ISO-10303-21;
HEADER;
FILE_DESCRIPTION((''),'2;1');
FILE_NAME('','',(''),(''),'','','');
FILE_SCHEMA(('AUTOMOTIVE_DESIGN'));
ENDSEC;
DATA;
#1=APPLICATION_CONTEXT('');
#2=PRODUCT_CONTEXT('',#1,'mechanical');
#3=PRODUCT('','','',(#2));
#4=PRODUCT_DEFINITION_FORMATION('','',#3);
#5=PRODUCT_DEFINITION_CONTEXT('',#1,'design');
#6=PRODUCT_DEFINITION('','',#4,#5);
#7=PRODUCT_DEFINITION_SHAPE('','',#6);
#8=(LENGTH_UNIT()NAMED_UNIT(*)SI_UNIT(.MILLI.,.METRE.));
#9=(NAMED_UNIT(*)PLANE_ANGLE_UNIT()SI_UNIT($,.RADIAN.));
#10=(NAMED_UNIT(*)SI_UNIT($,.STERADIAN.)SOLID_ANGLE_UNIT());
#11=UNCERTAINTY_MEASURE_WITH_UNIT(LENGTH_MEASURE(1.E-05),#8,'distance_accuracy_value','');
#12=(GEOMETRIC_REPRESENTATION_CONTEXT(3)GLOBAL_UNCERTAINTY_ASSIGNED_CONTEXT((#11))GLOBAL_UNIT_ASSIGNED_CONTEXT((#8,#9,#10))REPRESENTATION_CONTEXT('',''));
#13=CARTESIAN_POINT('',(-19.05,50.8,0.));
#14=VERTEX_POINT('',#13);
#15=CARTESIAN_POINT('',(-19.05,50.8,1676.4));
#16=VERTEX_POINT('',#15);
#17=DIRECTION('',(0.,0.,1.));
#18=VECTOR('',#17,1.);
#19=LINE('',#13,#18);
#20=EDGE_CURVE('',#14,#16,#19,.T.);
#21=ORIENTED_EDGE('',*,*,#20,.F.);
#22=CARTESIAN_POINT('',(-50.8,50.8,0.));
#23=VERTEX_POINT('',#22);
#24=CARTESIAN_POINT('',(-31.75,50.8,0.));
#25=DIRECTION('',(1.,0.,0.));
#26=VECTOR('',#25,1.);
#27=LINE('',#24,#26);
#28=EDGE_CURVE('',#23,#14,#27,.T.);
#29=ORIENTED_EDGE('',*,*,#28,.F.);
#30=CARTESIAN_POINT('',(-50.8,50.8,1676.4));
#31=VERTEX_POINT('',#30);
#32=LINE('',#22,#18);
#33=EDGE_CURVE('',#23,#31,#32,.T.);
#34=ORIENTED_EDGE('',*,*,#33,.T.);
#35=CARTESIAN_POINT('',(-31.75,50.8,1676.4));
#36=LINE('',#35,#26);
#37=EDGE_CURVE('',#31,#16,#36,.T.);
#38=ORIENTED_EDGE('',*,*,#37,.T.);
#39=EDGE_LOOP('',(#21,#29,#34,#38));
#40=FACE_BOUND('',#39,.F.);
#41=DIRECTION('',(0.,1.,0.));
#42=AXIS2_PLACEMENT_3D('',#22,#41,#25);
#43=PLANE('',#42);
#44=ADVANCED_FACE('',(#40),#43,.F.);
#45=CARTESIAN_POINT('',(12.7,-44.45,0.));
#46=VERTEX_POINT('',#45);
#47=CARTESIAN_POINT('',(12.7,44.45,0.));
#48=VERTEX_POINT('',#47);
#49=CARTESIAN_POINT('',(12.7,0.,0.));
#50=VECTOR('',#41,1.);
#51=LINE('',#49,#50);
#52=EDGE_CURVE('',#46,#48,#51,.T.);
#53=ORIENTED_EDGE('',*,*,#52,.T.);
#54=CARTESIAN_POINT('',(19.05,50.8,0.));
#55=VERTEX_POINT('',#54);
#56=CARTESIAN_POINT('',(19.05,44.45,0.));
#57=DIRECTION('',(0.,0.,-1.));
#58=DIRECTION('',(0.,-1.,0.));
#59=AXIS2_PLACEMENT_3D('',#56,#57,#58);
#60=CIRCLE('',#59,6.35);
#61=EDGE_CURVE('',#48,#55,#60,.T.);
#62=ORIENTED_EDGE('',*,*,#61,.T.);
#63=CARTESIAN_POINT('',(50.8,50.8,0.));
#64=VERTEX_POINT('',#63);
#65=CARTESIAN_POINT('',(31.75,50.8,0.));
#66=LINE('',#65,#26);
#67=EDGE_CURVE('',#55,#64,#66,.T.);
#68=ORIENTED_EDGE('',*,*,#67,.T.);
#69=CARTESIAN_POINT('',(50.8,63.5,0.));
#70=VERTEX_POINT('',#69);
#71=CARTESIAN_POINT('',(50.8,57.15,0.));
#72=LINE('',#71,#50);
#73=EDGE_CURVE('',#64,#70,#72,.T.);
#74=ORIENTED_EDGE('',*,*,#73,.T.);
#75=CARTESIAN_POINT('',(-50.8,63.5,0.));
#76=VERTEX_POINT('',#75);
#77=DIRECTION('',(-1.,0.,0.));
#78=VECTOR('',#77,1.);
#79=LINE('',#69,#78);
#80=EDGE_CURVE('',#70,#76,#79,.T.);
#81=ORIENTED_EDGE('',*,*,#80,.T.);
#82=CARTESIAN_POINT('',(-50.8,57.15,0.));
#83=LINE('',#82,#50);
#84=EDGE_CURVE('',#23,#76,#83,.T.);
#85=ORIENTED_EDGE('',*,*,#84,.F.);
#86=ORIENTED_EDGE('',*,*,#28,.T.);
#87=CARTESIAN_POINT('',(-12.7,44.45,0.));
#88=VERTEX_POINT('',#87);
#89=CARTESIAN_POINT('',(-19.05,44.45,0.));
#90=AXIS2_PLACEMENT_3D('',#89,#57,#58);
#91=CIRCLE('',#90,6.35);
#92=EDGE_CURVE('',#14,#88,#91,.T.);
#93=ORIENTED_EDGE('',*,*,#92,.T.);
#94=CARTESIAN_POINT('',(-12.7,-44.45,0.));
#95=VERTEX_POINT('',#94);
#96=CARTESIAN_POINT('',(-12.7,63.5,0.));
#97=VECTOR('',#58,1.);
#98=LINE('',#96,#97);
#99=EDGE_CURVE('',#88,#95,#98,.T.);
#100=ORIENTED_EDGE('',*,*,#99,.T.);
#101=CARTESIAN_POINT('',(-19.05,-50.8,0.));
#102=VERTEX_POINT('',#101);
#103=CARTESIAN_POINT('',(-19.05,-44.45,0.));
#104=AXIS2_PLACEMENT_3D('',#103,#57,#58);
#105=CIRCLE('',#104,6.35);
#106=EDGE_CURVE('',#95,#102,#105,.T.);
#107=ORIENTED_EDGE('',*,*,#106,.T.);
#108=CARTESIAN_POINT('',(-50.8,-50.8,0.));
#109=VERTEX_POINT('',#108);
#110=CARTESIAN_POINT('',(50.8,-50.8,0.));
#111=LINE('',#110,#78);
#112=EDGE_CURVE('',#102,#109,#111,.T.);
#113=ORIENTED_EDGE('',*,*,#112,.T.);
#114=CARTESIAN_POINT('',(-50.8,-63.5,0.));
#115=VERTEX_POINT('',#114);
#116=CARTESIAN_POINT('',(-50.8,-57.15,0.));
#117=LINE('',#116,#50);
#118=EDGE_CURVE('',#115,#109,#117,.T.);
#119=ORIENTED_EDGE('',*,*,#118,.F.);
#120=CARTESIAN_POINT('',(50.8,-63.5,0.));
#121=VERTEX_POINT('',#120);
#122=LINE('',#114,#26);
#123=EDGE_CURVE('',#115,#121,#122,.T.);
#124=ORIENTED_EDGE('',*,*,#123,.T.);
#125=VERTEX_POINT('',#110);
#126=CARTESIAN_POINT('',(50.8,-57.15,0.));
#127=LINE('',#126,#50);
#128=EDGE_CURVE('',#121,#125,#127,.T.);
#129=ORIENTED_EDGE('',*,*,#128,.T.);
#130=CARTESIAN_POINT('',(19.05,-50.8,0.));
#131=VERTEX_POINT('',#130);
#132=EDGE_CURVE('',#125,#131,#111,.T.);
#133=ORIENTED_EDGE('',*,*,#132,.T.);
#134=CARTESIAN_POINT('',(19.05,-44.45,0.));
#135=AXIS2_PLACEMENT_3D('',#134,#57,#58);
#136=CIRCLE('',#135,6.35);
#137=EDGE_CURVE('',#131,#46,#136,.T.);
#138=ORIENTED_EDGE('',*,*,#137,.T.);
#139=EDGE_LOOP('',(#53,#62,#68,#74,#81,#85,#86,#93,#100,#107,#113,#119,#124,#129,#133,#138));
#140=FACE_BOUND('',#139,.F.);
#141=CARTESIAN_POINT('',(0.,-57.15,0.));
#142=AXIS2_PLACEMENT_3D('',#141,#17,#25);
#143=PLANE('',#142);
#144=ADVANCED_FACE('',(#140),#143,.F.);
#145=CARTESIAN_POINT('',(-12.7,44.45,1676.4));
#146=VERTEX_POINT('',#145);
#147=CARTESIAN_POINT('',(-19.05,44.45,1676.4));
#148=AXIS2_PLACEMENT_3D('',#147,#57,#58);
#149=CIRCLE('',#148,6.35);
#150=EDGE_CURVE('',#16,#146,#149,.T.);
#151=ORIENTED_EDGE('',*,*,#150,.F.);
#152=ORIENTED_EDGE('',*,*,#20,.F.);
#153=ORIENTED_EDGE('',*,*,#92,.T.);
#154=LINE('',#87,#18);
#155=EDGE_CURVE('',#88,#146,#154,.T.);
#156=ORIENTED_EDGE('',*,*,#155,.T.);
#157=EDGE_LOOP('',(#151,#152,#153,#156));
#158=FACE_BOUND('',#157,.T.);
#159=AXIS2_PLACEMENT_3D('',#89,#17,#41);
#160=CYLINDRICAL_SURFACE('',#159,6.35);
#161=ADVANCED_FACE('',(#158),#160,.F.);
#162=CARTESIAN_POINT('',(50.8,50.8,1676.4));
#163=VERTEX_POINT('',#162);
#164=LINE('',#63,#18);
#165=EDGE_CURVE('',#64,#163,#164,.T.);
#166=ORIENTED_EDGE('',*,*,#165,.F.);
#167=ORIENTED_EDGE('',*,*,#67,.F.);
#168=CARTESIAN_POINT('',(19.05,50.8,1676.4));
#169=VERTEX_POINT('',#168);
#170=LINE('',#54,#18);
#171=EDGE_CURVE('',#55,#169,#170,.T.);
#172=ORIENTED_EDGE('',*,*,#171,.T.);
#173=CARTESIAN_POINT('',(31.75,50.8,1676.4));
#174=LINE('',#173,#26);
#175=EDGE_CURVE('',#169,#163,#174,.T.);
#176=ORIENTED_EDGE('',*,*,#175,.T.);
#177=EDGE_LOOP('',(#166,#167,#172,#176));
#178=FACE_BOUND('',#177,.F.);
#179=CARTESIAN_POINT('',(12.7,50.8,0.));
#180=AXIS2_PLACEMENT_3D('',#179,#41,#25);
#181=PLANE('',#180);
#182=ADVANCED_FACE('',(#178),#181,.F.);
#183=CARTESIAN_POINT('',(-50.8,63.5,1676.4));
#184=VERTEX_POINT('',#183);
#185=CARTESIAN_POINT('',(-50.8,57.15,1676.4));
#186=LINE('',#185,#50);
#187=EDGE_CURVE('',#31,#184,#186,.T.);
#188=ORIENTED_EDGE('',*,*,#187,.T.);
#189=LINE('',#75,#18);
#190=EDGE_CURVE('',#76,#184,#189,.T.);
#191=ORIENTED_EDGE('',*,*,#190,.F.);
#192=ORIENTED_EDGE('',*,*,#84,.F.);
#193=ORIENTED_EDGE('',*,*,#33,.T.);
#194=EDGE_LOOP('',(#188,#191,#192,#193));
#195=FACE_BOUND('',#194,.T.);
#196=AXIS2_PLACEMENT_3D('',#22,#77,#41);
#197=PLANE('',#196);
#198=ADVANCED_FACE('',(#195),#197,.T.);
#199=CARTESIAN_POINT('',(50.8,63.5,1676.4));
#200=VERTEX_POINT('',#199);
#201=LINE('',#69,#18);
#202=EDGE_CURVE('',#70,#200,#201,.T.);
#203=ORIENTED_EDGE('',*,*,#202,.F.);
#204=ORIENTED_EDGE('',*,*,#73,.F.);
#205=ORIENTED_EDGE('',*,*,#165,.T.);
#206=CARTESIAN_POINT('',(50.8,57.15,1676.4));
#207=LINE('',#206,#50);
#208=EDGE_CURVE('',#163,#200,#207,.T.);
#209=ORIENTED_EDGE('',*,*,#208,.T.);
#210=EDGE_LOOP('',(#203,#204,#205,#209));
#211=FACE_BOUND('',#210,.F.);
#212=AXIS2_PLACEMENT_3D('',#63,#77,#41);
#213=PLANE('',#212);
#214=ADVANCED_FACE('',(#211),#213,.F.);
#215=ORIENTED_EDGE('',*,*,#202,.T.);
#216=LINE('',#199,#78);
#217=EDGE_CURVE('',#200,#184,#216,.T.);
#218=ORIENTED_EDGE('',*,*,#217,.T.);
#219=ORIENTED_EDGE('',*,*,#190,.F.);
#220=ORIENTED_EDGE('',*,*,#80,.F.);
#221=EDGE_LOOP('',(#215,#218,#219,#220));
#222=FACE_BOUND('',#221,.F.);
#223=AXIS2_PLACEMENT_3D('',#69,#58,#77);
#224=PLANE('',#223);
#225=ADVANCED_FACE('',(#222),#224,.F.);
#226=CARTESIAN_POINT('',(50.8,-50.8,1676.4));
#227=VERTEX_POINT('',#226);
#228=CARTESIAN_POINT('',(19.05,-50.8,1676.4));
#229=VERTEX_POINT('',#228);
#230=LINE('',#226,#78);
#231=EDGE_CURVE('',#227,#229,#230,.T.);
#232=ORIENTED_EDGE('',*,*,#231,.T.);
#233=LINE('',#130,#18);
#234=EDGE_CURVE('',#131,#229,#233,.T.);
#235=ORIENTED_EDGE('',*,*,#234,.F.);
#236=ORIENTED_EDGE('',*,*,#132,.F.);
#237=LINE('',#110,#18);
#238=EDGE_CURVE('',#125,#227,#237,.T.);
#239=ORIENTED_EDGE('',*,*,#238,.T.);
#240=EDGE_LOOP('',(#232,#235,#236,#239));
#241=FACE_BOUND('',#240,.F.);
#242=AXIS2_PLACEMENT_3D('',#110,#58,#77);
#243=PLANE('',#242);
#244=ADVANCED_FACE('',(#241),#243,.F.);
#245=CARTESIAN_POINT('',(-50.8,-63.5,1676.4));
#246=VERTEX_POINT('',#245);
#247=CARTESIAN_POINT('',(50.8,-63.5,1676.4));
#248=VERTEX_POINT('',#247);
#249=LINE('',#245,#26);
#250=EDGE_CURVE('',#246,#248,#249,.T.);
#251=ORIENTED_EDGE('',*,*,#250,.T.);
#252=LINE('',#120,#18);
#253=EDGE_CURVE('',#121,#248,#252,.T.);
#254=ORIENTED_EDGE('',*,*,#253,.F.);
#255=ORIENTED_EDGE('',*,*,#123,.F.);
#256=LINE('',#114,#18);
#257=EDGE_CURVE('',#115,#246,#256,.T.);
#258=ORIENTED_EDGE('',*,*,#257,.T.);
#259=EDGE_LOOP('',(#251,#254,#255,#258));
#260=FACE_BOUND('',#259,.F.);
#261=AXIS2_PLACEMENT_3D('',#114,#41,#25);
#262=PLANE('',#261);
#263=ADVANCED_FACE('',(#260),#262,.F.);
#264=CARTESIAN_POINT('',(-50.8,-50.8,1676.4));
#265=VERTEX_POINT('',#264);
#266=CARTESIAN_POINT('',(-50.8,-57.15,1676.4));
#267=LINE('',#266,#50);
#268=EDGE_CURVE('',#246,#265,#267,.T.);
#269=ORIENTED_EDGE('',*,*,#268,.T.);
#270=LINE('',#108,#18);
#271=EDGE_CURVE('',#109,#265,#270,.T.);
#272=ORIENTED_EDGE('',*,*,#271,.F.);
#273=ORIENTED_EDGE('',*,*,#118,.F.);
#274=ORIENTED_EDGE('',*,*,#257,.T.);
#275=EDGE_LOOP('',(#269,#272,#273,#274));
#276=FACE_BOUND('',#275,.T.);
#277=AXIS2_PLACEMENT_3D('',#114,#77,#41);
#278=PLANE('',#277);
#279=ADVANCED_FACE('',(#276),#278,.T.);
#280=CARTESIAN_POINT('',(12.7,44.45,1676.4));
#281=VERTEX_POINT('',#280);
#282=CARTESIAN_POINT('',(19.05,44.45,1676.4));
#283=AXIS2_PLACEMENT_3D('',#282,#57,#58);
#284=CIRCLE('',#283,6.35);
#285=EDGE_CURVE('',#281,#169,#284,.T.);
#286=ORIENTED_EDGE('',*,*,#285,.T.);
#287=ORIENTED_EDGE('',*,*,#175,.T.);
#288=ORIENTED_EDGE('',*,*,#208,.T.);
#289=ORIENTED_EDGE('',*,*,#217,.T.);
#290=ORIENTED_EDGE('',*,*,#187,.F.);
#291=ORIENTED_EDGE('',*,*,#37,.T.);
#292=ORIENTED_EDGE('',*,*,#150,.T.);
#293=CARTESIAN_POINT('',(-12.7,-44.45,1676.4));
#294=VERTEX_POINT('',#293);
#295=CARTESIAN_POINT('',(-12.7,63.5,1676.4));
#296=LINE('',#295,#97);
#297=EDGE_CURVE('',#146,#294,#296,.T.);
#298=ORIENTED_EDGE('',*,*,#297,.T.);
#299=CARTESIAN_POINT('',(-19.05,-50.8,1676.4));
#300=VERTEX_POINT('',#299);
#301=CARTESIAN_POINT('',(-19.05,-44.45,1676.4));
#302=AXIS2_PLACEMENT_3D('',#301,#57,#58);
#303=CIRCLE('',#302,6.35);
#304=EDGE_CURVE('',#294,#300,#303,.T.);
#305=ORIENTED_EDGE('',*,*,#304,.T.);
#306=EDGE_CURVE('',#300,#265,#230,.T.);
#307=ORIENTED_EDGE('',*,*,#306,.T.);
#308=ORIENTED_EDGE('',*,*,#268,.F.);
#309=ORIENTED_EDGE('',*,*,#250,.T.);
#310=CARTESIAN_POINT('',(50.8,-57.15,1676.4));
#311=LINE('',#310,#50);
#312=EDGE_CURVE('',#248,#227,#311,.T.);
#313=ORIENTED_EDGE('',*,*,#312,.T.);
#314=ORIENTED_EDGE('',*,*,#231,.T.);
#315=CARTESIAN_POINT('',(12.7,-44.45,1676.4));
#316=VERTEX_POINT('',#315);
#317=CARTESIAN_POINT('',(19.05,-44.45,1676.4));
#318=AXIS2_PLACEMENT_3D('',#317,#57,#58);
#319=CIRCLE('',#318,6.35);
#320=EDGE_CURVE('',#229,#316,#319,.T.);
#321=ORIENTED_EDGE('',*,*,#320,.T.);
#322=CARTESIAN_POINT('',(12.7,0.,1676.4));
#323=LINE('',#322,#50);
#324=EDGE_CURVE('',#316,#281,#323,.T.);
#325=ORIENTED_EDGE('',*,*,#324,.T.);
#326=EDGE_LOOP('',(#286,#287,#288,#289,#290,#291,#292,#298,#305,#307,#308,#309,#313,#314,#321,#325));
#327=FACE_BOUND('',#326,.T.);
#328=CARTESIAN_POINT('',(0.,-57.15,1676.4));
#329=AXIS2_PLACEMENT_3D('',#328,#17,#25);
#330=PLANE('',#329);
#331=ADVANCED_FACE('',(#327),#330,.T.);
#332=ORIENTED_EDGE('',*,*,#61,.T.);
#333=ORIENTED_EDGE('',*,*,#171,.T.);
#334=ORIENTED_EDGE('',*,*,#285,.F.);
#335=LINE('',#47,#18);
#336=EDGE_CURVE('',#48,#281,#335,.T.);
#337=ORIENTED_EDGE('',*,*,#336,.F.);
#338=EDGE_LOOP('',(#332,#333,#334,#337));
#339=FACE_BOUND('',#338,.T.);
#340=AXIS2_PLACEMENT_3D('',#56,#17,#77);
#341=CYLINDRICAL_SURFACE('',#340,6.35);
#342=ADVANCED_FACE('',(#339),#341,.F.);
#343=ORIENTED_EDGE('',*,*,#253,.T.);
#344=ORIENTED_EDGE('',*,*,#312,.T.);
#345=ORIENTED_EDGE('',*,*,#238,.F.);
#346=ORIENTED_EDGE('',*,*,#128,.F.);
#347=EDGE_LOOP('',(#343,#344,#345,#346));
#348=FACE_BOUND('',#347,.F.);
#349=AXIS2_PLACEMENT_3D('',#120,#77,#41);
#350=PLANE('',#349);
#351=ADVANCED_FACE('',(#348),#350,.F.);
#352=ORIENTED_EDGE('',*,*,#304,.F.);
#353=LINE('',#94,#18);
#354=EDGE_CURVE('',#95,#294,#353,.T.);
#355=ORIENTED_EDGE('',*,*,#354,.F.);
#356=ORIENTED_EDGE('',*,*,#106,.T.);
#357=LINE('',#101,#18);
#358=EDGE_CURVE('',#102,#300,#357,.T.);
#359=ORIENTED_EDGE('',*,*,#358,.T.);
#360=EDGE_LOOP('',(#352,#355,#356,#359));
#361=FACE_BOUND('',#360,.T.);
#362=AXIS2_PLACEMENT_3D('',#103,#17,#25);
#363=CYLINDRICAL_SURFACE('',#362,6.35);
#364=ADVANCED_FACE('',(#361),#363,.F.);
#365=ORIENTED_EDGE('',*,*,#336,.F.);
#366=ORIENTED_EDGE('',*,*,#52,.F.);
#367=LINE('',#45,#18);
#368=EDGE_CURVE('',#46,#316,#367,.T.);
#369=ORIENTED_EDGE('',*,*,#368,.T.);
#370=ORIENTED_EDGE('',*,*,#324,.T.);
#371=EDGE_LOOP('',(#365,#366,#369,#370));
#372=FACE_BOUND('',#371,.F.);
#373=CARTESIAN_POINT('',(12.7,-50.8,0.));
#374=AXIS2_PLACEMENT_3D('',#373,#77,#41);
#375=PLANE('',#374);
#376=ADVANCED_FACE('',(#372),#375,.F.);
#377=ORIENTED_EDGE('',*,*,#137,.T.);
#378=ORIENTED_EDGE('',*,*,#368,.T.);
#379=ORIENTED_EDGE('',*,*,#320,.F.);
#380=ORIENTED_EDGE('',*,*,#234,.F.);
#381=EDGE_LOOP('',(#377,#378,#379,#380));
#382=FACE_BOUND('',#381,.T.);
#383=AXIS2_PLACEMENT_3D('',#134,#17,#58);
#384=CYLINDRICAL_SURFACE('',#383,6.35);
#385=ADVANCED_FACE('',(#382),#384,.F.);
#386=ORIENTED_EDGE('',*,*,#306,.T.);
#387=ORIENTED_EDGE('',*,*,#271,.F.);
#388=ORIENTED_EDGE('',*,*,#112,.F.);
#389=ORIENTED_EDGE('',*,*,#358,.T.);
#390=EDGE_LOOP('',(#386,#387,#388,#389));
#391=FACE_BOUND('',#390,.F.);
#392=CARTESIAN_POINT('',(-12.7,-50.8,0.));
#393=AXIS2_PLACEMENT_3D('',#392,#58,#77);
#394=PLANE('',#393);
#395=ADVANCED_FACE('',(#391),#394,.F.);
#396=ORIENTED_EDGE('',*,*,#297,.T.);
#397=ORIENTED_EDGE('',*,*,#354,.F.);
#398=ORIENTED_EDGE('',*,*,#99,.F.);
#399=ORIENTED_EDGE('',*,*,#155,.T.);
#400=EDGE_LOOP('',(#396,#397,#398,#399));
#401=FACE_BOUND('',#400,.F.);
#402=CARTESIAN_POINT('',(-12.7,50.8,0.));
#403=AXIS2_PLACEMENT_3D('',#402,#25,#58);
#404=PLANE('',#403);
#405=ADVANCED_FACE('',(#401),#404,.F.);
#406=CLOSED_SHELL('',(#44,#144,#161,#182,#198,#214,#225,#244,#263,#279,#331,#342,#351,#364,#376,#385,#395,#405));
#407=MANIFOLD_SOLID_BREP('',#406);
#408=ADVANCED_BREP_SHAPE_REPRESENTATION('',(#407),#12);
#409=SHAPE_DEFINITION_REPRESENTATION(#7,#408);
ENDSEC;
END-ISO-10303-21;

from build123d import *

# Parameters (mm, degrees)
F0_W     = 25.4
F0_H     = 12.7
F0_W_2   = 38.1
F0_H_2   = 101.6
F1_DEPTH = 1676.4
F2_R     = 6.35


with BuildPart() as f1:
    # F0 (on Top) → F1 (new body)
    with BuildSketch(Plane.XY):
        with Locations((0, -57.15)):
            Rectangle(F0_W, F0_H)
        with Locations((31.75, -57.15)):
            Rectangle(F0_W_2, F0_H)
        with Locations((-31.75, -57.15)):
            Rectangle(F0_W_2, F0_H)
        Rectangle(F0_W, F0_H_2)
        with Locations((31.75, 57.15)):
            Rectangle(F0_W_2, F0_H)
        with Locations((0, 57.15)):
            Rectangle(F0_W, F0_H)
        with Locations((-31.75, 57.15)):
            Rectangle(F0_W_2, F0_H)
    extrude(amount=F1_DEPTH)

    # F2
    f2_edges = [f1.edges().sort_by_distance(p)[0] for p in [
        (-12.7, -50.8, 838.2),
        (12.7, -50.8, 838.2),
        (-12.7, 50.8, 838.2),
        (12.7, 50.8, 838.2),
    ]]
    fillet(f2_edges, radius=F2_R)


solid = f1.part
